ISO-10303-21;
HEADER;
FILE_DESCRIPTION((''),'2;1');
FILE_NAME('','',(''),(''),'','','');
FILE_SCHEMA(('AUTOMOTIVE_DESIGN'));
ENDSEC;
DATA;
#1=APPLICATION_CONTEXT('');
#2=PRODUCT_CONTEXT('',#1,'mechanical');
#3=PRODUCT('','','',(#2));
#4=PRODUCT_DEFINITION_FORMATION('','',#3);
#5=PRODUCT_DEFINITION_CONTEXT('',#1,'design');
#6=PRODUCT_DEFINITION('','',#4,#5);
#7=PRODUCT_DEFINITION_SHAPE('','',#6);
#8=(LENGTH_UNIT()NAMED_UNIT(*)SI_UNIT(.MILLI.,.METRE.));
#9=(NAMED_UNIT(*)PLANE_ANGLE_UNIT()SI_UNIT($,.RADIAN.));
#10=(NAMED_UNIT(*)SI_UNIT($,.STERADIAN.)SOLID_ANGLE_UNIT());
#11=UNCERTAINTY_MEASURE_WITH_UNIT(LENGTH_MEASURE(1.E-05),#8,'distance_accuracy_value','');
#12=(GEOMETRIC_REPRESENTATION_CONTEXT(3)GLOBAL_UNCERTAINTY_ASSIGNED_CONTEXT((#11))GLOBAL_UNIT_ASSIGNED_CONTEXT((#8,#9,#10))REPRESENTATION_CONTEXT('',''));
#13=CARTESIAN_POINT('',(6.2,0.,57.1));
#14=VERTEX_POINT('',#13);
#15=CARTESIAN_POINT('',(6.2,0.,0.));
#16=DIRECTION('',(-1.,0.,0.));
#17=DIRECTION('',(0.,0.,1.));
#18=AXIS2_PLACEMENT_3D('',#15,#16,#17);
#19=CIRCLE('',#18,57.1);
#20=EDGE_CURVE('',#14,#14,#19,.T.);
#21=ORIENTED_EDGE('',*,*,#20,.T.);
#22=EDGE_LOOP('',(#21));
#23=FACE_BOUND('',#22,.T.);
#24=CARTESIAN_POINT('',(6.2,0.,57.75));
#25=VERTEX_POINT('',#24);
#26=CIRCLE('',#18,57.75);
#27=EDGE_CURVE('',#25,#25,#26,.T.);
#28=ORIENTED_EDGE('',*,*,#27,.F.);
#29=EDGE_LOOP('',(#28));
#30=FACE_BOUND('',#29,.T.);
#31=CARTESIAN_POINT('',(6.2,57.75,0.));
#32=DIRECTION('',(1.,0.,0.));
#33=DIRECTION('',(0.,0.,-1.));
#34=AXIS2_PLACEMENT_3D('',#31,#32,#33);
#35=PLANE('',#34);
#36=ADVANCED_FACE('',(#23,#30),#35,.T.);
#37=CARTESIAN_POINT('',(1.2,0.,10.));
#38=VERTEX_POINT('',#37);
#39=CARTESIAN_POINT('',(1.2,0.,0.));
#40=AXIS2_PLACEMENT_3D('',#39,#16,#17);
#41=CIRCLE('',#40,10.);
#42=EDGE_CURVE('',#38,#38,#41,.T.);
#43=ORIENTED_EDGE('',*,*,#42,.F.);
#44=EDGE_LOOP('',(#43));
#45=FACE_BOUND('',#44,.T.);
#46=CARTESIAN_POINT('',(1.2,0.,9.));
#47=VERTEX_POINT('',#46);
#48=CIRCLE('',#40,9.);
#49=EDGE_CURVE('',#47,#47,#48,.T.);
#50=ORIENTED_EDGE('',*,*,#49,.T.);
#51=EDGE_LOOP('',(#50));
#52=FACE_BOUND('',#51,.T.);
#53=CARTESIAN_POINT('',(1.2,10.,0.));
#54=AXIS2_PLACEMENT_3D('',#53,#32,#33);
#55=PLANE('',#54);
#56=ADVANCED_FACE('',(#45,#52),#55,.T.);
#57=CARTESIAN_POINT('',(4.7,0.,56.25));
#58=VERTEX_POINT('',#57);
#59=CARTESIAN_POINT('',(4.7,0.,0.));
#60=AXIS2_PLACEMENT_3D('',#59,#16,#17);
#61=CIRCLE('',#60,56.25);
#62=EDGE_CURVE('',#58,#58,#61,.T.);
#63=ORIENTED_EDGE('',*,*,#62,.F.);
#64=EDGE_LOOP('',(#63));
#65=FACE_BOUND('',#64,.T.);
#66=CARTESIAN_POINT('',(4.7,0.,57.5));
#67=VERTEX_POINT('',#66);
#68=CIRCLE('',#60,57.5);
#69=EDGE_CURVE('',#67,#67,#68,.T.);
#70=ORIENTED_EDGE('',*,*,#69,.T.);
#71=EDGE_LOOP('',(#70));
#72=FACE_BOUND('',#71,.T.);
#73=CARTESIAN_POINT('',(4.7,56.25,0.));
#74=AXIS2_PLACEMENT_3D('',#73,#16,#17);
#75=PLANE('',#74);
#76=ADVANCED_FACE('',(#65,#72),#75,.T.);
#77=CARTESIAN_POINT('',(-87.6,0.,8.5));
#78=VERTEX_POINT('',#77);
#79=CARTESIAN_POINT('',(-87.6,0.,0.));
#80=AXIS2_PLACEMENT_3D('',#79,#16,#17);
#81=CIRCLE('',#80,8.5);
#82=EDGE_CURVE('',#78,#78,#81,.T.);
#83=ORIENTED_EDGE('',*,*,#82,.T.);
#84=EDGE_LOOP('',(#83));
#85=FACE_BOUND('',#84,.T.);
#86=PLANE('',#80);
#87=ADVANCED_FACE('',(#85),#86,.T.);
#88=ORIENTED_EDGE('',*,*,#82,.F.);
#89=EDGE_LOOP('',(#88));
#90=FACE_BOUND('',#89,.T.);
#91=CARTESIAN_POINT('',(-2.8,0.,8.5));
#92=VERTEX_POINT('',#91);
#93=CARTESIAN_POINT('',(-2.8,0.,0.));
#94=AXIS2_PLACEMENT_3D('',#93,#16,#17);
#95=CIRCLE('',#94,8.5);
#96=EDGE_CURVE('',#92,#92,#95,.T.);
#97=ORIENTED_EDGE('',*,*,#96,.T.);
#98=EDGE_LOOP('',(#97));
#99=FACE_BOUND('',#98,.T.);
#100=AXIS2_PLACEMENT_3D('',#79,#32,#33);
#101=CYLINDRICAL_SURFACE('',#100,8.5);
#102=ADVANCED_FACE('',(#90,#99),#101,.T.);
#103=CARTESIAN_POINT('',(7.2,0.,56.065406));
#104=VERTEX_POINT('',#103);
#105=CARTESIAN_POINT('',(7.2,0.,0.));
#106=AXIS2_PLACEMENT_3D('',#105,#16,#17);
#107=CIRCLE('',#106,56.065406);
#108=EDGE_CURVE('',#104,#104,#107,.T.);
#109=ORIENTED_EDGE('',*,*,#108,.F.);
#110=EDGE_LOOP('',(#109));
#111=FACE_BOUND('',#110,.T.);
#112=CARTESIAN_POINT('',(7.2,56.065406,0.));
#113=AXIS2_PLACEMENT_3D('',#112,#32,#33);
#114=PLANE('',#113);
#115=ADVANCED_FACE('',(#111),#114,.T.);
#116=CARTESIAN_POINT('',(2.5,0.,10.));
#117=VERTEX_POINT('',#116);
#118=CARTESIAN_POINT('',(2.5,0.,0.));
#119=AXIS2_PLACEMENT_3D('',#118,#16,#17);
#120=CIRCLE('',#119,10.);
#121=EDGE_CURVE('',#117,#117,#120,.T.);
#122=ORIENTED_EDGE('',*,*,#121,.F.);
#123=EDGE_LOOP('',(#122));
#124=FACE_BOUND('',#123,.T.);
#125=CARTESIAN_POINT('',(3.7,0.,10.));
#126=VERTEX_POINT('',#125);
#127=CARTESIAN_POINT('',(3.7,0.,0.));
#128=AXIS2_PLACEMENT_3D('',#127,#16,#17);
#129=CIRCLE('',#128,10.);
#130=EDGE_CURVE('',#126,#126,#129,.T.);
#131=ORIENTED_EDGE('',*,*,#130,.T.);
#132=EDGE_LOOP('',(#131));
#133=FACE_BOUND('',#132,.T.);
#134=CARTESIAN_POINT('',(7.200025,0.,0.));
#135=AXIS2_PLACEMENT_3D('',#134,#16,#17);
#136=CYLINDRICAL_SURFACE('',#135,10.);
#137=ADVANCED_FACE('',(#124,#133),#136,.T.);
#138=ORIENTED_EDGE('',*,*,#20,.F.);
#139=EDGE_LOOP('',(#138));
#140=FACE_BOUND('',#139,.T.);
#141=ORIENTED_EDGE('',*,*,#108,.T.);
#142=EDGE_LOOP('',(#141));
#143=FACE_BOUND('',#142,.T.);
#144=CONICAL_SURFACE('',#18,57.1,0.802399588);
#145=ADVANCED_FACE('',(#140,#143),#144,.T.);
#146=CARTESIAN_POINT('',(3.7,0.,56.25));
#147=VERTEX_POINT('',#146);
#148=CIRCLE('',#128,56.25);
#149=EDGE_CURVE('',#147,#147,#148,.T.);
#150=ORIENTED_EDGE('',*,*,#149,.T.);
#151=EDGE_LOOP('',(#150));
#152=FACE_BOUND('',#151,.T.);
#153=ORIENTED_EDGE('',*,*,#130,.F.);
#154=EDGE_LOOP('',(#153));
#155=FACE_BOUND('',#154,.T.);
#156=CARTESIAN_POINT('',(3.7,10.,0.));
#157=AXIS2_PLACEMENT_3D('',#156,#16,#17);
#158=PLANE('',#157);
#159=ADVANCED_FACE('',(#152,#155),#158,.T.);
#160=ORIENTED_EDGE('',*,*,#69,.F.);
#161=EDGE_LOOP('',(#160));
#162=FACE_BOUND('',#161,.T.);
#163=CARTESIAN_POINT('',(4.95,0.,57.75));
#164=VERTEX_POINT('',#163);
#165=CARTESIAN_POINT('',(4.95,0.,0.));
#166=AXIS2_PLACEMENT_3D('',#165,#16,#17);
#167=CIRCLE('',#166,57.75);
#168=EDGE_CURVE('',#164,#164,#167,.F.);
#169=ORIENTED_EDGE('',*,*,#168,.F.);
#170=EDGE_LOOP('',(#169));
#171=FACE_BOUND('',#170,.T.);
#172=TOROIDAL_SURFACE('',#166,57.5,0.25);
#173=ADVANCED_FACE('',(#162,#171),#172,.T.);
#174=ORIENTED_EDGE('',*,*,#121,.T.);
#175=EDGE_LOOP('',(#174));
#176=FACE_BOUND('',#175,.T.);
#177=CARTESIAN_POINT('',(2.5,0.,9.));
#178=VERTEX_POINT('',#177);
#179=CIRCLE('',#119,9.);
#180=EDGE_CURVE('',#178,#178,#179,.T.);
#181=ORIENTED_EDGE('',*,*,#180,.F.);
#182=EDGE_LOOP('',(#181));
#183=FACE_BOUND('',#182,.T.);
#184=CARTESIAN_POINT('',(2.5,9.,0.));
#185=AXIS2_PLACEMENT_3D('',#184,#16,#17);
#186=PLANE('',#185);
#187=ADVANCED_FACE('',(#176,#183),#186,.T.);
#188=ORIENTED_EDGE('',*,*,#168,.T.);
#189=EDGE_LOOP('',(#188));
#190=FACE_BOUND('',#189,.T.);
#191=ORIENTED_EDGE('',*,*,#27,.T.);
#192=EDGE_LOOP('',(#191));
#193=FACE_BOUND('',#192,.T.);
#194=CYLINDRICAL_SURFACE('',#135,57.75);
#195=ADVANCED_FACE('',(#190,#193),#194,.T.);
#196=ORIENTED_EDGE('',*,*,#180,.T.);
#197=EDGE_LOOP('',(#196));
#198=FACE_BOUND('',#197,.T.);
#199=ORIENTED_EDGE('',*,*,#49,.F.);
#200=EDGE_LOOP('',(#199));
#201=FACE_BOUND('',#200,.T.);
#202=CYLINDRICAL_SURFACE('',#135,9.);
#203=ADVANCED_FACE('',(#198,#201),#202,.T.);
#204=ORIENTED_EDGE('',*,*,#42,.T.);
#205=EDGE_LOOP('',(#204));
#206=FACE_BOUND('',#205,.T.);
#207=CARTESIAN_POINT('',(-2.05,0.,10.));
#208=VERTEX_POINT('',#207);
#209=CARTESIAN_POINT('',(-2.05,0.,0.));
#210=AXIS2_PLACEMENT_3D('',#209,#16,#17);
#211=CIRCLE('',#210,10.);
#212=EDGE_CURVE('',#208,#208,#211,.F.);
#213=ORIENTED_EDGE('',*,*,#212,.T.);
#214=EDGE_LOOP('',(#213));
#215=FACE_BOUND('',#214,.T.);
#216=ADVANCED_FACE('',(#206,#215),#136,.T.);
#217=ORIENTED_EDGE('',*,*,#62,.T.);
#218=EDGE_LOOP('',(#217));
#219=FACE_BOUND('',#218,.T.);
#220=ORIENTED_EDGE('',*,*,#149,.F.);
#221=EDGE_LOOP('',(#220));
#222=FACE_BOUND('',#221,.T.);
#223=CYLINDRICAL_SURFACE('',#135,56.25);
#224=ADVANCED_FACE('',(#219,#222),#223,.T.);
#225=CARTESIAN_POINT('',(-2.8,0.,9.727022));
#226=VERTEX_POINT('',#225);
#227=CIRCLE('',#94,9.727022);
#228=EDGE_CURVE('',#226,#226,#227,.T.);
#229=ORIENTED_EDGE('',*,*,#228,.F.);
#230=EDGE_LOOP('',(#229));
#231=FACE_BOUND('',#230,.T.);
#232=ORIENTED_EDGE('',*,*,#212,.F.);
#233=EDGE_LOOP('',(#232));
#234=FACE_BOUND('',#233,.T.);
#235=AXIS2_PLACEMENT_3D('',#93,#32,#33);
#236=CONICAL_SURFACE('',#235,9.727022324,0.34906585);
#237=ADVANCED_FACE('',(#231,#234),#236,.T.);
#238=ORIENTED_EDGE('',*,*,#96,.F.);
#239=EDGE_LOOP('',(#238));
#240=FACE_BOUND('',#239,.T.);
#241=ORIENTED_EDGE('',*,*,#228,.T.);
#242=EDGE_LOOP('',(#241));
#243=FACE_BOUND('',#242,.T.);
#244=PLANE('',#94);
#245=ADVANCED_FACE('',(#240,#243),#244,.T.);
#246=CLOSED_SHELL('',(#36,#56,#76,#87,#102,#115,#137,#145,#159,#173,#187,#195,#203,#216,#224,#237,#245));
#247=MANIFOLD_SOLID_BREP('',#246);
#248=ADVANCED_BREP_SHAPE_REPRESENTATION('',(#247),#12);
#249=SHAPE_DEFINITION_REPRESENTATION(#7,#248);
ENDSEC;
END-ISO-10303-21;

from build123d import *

# Parameters (mm, degrees)
SKETCH4_R           = 8.5
BOSS_EXTRUDE2_DEPTH = 84.8
CHAMFER2_SIZE       = 0.272977676
CHAMFER2_SIZE2      = 0.75
FILLET1_R           = 0.25


with BuildPart() as part:
    # Sketch1 → Revolve1 (revolve)
    with BuildSketch(Plane(origin=(0, 0, 0), x_dir=(-1, 0, 0), z_dir=(0, 0, -1)), mode=Mode.PRIVATE) as revolve1_sk:
        Polygon((-7.2, 56.065405665), (-7.2, 0), (2.8, 0), (2.8, 10), (-1.2, 10), (-1.2, 9), (-2.5, 9), (-2.5, 10), (-3.7, 10), (-3.7, 56.25), (-4.7, 56.25), (-4.7, 57.75), (-6.2, 57.75), (-6.2, 57.1), align=None)
    revolve(revolve1_sk.sketch.rotate(Axis((7.200025, 0, 0), (-1, 0, 0)), 270), axis=Axis((7.200025, 0, 0), (-1, 0, 0)))

    # Sketch4 → Boss-Extrude2 (add)
    with BuildSketch(Plane.ZY.offset(2.8)):
        Circle(SKETCH4_R)
    extrude(amount=BOSS_EXTRUDE2_DEPTH)

    # Chamfer2
    chamfer2_edges = [part.edges().sort_by_distance(p)[0] for p in [
        (-2.8, 0, -10),
    ]]
    chamfer2_side = [part.faces().sort_by_distance(p)[0] for p in [
        (-2.8, 0, -9.717157288),
    ]]
    chamfer(chamfer2_edges, length=CHAMFER2_SIZE, length2=CHAMFER2_SIZE2, reference=chamfer2_side[0])

    # Fillet1
    fillet1_edges = [part.edges().sort_by_distance(p)[0] for p in [
        (4.7, 0, -57.75),
    ]]
    fillet(fillet1_edges, radius=FILLET1_R)


solid = part.part
